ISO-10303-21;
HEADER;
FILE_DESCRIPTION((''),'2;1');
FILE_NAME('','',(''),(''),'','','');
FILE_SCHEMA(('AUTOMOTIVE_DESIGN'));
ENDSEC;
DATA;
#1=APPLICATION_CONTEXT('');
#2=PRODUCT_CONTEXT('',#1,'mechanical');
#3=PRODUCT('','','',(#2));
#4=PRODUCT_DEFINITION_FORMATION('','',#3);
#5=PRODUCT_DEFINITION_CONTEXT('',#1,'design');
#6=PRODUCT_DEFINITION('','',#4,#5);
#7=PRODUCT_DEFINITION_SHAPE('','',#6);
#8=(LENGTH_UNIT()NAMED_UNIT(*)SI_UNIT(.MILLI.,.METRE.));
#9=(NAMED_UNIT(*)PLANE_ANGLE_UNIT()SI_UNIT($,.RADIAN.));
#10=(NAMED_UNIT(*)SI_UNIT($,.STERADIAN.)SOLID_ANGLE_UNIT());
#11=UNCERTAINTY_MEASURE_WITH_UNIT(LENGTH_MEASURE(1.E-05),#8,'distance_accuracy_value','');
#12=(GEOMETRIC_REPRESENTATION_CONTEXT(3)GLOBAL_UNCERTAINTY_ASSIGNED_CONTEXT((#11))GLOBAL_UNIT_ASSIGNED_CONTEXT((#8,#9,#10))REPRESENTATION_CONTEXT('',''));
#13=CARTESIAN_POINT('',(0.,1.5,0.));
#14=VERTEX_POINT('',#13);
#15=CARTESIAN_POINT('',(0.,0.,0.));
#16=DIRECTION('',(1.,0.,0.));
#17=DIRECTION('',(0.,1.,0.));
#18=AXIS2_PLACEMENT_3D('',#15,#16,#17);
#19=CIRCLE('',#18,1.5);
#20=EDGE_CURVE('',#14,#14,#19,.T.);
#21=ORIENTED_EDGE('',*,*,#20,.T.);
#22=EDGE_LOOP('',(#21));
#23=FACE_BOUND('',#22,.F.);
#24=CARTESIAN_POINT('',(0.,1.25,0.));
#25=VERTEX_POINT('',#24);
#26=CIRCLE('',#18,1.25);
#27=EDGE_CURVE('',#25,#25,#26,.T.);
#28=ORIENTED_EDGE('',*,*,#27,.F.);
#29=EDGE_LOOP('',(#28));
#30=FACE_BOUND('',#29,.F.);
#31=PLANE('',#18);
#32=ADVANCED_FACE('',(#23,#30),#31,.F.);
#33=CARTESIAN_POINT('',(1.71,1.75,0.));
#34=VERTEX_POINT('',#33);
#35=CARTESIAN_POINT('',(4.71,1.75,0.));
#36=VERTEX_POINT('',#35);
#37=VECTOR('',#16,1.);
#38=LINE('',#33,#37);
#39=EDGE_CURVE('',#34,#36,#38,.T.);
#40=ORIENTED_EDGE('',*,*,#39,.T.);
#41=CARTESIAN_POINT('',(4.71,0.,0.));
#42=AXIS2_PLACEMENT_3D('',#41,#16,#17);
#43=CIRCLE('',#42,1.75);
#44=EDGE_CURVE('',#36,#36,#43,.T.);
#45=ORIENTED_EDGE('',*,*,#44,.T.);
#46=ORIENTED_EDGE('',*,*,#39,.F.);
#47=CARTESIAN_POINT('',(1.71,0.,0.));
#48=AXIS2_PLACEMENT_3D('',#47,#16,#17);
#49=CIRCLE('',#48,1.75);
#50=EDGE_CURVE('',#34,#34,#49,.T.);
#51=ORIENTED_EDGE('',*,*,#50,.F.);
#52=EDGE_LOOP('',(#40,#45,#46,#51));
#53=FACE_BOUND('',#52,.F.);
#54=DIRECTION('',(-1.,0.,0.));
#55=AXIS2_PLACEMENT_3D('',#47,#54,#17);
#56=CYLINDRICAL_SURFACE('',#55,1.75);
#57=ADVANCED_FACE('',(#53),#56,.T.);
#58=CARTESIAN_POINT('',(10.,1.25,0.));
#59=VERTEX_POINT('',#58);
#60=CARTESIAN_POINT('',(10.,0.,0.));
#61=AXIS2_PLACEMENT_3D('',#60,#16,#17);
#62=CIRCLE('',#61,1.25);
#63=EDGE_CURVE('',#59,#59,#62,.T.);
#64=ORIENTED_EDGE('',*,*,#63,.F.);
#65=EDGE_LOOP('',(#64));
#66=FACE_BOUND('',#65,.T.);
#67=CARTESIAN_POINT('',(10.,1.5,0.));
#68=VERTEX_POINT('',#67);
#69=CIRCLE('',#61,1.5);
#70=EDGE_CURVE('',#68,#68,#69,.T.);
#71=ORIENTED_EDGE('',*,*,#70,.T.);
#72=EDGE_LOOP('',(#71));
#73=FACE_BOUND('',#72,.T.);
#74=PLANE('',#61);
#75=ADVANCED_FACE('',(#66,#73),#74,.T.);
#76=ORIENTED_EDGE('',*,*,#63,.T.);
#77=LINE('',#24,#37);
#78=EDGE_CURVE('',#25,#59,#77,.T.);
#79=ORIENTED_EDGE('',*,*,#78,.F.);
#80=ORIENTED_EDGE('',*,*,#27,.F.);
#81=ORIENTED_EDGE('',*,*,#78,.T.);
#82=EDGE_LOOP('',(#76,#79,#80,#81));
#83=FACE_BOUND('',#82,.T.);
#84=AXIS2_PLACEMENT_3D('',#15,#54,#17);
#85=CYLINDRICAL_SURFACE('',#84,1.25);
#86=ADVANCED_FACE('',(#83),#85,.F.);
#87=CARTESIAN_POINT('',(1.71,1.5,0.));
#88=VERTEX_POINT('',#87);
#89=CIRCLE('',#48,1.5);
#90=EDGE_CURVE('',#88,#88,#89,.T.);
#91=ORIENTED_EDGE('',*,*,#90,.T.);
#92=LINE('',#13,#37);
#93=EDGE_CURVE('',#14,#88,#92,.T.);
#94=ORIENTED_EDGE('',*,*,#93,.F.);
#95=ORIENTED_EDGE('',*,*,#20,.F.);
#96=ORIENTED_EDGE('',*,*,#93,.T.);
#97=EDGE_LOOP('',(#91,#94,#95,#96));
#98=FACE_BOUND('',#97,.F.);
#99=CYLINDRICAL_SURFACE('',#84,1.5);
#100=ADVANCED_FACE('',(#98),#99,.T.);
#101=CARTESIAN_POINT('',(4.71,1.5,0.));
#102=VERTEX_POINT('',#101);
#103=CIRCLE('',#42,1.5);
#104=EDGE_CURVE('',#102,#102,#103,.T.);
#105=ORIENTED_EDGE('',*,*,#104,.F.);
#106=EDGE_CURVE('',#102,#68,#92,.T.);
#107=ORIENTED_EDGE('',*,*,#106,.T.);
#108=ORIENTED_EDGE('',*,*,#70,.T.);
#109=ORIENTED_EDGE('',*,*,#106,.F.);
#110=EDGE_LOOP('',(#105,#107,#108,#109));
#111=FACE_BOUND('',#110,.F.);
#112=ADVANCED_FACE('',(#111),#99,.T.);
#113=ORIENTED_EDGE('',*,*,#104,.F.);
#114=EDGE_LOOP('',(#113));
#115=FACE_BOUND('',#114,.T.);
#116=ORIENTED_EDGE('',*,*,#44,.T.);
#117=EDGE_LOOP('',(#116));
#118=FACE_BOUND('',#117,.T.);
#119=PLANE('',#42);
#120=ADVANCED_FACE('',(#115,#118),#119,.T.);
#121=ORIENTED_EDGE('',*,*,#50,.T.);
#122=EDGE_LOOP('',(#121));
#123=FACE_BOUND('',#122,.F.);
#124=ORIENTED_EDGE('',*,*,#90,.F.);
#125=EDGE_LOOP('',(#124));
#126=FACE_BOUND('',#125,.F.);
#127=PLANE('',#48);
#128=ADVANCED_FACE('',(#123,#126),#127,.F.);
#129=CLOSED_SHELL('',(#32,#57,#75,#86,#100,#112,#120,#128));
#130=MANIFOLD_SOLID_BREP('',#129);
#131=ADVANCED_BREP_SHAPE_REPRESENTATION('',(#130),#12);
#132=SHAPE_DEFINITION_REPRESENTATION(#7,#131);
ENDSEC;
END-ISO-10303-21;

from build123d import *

# Parameters (mm, degrees)
F0_R     = 1.5
F0_R_2   = 1.25
F1_DEPTH = 10
F3_R     = 1.75
F3_R_2   = 1.5
F4_DEPTH = 3


with BuildPart() as f1:
    # F0 (on Right) → F1 (new body)
    with BuildSketch(Plane.YZ):
        Circle(F0_R)
        Circle(F0_R_2, mode=Mode.SUBTRACT)
    extrude(amount=F1_DEPTH)

    # F3 (on offset) → F4 (join)
    with BuildSketch(Plane.YZ.offset(1.71)):
        Circle(F3_R)
        Circle(F3_R_2, mode=Mode.SUBTRACT)
    extrude(amount=F4_DEPTH)


solid = f1.part
